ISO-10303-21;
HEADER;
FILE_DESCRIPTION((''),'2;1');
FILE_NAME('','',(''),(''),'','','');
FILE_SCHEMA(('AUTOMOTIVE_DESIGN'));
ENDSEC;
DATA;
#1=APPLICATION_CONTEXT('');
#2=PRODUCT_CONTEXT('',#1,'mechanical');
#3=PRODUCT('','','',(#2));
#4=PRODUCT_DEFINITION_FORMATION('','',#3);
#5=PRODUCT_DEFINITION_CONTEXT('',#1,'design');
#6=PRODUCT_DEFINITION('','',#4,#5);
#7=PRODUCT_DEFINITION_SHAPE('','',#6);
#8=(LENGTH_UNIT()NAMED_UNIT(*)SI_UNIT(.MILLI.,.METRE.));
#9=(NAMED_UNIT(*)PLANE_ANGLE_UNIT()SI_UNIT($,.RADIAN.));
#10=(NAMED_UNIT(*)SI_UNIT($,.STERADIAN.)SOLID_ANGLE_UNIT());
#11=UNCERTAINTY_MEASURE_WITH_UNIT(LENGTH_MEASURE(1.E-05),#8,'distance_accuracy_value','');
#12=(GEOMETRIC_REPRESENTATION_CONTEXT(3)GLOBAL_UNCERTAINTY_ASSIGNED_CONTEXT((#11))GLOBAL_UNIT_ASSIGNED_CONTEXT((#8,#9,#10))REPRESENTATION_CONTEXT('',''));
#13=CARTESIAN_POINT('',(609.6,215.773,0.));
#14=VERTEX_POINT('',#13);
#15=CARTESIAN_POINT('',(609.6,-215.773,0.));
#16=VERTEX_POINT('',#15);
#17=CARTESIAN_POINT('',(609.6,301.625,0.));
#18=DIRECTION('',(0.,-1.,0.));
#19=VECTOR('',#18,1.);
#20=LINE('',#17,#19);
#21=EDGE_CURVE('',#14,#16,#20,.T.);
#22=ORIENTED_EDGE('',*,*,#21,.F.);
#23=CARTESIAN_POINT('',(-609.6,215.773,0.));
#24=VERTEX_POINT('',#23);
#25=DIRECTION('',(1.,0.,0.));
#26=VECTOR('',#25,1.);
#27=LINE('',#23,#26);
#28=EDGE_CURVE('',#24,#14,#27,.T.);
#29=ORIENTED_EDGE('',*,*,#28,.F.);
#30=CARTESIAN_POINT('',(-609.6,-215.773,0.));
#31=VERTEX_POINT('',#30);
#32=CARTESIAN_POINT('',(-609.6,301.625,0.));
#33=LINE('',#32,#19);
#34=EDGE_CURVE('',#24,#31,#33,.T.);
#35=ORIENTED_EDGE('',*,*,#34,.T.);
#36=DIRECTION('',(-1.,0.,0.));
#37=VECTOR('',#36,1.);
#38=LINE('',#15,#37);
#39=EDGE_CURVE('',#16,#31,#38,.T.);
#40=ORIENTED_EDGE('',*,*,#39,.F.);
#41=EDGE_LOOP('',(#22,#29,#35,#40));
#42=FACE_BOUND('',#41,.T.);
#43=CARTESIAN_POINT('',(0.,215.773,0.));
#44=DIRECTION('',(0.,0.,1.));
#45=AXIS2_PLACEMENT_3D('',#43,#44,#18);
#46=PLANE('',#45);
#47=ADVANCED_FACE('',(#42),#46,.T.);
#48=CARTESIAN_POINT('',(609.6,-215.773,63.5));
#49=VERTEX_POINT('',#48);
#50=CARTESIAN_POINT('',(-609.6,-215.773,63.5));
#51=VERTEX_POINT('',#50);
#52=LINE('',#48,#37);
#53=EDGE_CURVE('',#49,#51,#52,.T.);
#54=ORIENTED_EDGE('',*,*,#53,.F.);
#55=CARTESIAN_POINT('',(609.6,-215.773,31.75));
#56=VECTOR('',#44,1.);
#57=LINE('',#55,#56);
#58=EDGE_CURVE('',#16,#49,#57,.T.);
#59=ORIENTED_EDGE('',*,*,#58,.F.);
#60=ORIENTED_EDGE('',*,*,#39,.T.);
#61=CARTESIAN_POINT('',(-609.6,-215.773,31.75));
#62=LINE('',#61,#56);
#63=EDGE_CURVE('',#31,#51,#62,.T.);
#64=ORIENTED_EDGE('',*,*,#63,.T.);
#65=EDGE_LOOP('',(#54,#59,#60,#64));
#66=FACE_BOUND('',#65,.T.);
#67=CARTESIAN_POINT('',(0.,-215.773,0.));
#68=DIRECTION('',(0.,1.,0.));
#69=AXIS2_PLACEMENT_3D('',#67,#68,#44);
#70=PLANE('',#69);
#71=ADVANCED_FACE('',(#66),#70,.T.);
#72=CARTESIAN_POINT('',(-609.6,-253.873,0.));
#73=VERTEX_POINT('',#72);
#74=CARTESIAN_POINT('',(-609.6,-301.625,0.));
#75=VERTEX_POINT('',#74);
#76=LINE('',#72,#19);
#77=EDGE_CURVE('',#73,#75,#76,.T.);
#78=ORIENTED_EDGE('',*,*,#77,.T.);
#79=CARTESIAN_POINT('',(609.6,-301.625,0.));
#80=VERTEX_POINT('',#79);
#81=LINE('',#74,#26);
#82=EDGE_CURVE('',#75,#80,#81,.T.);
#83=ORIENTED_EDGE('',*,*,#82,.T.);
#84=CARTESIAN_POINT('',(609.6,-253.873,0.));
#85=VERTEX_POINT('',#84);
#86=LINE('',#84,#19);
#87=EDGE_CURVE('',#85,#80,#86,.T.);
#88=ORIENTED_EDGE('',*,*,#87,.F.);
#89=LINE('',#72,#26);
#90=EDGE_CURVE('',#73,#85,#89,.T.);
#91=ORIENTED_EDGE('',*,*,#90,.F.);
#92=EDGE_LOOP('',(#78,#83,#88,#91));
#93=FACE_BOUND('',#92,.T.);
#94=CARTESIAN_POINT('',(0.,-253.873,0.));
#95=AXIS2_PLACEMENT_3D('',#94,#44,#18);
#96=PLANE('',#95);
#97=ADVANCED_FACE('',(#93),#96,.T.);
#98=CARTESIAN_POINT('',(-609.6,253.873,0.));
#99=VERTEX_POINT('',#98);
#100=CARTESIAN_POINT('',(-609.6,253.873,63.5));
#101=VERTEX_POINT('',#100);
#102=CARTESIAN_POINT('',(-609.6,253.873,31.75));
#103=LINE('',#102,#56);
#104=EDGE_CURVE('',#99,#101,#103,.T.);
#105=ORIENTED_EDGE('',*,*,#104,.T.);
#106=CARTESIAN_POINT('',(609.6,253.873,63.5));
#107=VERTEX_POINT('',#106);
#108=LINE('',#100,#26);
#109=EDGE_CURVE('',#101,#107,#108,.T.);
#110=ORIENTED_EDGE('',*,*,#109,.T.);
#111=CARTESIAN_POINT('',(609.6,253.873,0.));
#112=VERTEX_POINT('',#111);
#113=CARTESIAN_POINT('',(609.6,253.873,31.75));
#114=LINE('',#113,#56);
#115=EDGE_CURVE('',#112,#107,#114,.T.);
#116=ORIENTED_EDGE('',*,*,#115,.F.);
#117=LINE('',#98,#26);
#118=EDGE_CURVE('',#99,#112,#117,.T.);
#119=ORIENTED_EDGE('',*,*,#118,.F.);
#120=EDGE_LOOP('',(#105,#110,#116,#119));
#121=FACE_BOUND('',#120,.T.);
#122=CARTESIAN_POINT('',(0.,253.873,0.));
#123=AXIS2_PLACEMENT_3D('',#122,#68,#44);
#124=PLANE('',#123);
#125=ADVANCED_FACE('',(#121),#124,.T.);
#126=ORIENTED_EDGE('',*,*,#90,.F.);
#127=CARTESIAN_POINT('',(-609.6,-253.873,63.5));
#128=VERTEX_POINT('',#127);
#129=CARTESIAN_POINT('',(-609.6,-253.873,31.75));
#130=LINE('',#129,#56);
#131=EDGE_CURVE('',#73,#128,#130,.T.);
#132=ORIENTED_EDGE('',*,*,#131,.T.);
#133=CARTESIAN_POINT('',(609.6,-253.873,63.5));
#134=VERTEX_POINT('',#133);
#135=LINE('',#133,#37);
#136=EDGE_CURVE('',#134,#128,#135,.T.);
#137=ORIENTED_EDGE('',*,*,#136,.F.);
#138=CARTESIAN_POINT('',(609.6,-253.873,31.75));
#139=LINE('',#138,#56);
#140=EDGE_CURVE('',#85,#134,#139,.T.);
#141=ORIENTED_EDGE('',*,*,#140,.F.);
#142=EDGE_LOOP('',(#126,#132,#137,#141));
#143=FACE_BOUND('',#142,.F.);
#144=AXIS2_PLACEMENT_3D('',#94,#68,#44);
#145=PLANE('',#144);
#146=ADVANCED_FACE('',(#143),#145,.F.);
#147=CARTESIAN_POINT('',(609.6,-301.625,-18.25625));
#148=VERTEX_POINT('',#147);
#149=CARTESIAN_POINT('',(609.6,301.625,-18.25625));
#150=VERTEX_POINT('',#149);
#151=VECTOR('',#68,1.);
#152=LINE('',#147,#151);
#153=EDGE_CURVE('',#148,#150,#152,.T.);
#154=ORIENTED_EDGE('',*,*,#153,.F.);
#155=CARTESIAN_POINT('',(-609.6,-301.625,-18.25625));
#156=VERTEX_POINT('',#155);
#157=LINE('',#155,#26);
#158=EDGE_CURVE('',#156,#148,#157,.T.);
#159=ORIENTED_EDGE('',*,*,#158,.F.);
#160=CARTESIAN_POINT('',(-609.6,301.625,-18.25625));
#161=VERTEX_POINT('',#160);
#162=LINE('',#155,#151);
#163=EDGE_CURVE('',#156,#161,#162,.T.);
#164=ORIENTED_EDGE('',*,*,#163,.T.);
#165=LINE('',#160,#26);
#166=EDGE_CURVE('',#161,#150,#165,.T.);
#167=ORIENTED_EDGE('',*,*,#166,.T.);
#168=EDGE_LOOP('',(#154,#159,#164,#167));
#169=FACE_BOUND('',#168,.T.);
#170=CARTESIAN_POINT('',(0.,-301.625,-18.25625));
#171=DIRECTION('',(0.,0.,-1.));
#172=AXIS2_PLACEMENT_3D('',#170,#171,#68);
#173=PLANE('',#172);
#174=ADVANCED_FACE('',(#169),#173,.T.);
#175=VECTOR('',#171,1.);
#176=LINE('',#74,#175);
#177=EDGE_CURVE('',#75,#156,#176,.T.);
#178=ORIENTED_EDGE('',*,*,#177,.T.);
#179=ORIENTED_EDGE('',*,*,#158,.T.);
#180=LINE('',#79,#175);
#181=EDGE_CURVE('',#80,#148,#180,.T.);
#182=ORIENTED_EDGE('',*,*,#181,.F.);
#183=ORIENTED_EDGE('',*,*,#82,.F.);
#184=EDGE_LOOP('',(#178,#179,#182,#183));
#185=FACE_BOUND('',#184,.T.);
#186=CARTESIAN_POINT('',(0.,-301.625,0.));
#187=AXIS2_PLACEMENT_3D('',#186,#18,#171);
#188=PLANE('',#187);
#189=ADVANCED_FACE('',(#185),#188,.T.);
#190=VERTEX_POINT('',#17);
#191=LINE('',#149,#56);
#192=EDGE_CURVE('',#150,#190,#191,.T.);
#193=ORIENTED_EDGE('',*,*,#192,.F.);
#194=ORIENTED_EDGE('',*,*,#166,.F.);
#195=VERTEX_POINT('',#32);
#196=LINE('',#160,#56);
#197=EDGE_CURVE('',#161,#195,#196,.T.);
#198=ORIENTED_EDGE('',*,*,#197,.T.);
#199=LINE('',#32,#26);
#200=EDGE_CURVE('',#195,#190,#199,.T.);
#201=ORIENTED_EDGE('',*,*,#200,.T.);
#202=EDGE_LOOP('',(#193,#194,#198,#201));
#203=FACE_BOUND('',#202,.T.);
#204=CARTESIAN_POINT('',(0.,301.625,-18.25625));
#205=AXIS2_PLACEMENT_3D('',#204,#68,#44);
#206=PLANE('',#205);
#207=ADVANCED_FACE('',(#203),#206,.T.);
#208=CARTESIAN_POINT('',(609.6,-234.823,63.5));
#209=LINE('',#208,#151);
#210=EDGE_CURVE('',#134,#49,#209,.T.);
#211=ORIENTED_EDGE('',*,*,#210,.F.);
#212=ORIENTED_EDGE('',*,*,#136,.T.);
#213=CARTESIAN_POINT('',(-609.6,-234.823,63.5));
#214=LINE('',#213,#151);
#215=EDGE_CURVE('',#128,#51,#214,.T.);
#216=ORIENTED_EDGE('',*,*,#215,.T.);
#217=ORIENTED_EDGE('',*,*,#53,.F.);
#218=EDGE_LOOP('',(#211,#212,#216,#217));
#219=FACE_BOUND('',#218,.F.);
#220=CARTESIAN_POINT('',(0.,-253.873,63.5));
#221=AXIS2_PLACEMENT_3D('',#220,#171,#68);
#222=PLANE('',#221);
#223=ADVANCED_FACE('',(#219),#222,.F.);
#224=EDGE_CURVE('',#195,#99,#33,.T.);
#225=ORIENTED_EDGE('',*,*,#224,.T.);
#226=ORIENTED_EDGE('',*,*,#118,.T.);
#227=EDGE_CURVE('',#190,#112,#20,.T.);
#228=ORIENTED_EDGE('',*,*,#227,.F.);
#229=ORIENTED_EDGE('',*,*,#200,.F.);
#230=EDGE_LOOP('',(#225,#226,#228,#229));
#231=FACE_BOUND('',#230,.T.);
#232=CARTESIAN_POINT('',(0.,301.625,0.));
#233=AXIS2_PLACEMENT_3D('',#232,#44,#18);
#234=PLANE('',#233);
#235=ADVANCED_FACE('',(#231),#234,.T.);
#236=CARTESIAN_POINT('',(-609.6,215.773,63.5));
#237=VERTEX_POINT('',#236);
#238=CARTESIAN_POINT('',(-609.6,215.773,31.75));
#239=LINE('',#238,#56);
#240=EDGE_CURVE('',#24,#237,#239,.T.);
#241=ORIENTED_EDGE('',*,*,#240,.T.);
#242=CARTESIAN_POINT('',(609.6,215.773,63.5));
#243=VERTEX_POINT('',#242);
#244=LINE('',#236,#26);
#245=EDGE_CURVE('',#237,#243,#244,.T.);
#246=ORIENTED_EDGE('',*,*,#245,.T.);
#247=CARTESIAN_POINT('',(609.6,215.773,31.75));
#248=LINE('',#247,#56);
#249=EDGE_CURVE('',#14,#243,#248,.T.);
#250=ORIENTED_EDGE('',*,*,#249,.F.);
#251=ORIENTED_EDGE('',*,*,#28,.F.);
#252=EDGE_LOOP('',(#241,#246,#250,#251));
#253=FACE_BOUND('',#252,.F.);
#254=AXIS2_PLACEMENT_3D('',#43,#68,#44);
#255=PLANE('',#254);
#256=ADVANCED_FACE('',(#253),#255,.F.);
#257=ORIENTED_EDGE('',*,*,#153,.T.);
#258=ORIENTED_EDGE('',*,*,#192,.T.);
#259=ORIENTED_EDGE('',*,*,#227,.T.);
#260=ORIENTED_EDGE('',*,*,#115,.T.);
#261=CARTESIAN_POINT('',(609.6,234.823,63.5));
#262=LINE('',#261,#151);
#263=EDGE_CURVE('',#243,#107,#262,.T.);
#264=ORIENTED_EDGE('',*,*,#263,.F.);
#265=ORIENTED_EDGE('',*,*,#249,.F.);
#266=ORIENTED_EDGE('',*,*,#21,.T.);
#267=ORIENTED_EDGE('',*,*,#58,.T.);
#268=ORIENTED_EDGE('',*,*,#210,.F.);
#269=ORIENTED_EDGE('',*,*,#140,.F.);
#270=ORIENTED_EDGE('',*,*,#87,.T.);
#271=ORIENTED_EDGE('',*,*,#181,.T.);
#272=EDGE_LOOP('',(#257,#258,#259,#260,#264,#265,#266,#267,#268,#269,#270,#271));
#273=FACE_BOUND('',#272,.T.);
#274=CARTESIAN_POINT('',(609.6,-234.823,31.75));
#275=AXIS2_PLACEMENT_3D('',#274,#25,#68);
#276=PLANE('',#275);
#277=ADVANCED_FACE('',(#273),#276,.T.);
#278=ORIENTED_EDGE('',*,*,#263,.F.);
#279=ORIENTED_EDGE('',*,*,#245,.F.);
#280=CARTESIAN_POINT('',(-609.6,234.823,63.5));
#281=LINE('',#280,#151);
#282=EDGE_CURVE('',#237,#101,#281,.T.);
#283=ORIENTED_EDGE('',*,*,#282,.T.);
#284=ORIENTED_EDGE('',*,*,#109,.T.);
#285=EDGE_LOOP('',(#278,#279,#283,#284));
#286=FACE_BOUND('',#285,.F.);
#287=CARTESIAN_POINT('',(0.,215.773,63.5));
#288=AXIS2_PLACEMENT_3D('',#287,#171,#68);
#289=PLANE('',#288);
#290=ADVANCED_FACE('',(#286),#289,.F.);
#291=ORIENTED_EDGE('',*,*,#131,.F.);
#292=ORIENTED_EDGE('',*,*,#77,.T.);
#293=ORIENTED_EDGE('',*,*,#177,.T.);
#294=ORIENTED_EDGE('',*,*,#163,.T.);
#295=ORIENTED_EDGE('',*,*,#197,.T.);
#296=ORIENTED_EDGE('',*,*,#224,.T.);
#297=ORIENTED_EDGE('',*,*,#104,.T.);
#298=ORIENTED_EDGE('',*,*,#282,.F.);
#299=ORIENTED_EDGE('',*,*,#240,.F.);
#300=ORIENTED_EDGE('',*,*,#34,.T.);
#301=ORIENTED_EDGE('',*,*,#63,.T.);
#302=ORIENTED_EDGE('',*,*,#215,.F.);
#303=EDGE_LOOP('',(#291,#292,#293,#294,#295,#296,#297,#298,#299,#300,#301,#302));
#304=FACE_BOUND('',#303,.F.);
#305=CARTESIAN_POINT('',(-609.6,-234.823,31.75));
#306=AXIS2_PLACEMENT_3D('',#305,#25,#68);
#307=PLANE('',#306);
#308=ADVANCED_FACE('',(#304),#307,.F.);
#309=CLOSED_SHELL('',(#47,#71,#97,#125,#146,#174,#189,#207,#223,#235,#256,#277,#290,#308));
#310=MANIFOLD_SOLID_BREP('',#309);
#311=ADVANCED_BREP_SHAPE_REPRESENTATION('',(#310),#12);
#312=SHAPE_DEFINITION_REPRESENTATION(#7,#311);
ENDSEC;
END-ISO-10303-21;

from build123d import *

# Parameters (mm, degrees)
F0_W     = 38.1
F0_H     = 63.5
F1_DEPTH = 609.6


with BuildPart() as f1:
    # F0 (on Right) → F1 (new body, symmetric)
    with BuildSketch(Plane.YZ):
        with Locations((-234.823, 31.75)):
            Rectangle(F0_W, F0_H)
        Polygon((-253.873, 0), (-301.625, 0), (-301.625, -18.25625), (301.625, -18.25625), (301.625, 0), (253.873, 0), (215.773, 0), (-215.773, 0), align=None)
        with Locations((234.823, 31.75)):
            Rectangle(F0_W, F0_H)
    extrude(amount=F1_DEPTH, both=True)


solid = f1.part
